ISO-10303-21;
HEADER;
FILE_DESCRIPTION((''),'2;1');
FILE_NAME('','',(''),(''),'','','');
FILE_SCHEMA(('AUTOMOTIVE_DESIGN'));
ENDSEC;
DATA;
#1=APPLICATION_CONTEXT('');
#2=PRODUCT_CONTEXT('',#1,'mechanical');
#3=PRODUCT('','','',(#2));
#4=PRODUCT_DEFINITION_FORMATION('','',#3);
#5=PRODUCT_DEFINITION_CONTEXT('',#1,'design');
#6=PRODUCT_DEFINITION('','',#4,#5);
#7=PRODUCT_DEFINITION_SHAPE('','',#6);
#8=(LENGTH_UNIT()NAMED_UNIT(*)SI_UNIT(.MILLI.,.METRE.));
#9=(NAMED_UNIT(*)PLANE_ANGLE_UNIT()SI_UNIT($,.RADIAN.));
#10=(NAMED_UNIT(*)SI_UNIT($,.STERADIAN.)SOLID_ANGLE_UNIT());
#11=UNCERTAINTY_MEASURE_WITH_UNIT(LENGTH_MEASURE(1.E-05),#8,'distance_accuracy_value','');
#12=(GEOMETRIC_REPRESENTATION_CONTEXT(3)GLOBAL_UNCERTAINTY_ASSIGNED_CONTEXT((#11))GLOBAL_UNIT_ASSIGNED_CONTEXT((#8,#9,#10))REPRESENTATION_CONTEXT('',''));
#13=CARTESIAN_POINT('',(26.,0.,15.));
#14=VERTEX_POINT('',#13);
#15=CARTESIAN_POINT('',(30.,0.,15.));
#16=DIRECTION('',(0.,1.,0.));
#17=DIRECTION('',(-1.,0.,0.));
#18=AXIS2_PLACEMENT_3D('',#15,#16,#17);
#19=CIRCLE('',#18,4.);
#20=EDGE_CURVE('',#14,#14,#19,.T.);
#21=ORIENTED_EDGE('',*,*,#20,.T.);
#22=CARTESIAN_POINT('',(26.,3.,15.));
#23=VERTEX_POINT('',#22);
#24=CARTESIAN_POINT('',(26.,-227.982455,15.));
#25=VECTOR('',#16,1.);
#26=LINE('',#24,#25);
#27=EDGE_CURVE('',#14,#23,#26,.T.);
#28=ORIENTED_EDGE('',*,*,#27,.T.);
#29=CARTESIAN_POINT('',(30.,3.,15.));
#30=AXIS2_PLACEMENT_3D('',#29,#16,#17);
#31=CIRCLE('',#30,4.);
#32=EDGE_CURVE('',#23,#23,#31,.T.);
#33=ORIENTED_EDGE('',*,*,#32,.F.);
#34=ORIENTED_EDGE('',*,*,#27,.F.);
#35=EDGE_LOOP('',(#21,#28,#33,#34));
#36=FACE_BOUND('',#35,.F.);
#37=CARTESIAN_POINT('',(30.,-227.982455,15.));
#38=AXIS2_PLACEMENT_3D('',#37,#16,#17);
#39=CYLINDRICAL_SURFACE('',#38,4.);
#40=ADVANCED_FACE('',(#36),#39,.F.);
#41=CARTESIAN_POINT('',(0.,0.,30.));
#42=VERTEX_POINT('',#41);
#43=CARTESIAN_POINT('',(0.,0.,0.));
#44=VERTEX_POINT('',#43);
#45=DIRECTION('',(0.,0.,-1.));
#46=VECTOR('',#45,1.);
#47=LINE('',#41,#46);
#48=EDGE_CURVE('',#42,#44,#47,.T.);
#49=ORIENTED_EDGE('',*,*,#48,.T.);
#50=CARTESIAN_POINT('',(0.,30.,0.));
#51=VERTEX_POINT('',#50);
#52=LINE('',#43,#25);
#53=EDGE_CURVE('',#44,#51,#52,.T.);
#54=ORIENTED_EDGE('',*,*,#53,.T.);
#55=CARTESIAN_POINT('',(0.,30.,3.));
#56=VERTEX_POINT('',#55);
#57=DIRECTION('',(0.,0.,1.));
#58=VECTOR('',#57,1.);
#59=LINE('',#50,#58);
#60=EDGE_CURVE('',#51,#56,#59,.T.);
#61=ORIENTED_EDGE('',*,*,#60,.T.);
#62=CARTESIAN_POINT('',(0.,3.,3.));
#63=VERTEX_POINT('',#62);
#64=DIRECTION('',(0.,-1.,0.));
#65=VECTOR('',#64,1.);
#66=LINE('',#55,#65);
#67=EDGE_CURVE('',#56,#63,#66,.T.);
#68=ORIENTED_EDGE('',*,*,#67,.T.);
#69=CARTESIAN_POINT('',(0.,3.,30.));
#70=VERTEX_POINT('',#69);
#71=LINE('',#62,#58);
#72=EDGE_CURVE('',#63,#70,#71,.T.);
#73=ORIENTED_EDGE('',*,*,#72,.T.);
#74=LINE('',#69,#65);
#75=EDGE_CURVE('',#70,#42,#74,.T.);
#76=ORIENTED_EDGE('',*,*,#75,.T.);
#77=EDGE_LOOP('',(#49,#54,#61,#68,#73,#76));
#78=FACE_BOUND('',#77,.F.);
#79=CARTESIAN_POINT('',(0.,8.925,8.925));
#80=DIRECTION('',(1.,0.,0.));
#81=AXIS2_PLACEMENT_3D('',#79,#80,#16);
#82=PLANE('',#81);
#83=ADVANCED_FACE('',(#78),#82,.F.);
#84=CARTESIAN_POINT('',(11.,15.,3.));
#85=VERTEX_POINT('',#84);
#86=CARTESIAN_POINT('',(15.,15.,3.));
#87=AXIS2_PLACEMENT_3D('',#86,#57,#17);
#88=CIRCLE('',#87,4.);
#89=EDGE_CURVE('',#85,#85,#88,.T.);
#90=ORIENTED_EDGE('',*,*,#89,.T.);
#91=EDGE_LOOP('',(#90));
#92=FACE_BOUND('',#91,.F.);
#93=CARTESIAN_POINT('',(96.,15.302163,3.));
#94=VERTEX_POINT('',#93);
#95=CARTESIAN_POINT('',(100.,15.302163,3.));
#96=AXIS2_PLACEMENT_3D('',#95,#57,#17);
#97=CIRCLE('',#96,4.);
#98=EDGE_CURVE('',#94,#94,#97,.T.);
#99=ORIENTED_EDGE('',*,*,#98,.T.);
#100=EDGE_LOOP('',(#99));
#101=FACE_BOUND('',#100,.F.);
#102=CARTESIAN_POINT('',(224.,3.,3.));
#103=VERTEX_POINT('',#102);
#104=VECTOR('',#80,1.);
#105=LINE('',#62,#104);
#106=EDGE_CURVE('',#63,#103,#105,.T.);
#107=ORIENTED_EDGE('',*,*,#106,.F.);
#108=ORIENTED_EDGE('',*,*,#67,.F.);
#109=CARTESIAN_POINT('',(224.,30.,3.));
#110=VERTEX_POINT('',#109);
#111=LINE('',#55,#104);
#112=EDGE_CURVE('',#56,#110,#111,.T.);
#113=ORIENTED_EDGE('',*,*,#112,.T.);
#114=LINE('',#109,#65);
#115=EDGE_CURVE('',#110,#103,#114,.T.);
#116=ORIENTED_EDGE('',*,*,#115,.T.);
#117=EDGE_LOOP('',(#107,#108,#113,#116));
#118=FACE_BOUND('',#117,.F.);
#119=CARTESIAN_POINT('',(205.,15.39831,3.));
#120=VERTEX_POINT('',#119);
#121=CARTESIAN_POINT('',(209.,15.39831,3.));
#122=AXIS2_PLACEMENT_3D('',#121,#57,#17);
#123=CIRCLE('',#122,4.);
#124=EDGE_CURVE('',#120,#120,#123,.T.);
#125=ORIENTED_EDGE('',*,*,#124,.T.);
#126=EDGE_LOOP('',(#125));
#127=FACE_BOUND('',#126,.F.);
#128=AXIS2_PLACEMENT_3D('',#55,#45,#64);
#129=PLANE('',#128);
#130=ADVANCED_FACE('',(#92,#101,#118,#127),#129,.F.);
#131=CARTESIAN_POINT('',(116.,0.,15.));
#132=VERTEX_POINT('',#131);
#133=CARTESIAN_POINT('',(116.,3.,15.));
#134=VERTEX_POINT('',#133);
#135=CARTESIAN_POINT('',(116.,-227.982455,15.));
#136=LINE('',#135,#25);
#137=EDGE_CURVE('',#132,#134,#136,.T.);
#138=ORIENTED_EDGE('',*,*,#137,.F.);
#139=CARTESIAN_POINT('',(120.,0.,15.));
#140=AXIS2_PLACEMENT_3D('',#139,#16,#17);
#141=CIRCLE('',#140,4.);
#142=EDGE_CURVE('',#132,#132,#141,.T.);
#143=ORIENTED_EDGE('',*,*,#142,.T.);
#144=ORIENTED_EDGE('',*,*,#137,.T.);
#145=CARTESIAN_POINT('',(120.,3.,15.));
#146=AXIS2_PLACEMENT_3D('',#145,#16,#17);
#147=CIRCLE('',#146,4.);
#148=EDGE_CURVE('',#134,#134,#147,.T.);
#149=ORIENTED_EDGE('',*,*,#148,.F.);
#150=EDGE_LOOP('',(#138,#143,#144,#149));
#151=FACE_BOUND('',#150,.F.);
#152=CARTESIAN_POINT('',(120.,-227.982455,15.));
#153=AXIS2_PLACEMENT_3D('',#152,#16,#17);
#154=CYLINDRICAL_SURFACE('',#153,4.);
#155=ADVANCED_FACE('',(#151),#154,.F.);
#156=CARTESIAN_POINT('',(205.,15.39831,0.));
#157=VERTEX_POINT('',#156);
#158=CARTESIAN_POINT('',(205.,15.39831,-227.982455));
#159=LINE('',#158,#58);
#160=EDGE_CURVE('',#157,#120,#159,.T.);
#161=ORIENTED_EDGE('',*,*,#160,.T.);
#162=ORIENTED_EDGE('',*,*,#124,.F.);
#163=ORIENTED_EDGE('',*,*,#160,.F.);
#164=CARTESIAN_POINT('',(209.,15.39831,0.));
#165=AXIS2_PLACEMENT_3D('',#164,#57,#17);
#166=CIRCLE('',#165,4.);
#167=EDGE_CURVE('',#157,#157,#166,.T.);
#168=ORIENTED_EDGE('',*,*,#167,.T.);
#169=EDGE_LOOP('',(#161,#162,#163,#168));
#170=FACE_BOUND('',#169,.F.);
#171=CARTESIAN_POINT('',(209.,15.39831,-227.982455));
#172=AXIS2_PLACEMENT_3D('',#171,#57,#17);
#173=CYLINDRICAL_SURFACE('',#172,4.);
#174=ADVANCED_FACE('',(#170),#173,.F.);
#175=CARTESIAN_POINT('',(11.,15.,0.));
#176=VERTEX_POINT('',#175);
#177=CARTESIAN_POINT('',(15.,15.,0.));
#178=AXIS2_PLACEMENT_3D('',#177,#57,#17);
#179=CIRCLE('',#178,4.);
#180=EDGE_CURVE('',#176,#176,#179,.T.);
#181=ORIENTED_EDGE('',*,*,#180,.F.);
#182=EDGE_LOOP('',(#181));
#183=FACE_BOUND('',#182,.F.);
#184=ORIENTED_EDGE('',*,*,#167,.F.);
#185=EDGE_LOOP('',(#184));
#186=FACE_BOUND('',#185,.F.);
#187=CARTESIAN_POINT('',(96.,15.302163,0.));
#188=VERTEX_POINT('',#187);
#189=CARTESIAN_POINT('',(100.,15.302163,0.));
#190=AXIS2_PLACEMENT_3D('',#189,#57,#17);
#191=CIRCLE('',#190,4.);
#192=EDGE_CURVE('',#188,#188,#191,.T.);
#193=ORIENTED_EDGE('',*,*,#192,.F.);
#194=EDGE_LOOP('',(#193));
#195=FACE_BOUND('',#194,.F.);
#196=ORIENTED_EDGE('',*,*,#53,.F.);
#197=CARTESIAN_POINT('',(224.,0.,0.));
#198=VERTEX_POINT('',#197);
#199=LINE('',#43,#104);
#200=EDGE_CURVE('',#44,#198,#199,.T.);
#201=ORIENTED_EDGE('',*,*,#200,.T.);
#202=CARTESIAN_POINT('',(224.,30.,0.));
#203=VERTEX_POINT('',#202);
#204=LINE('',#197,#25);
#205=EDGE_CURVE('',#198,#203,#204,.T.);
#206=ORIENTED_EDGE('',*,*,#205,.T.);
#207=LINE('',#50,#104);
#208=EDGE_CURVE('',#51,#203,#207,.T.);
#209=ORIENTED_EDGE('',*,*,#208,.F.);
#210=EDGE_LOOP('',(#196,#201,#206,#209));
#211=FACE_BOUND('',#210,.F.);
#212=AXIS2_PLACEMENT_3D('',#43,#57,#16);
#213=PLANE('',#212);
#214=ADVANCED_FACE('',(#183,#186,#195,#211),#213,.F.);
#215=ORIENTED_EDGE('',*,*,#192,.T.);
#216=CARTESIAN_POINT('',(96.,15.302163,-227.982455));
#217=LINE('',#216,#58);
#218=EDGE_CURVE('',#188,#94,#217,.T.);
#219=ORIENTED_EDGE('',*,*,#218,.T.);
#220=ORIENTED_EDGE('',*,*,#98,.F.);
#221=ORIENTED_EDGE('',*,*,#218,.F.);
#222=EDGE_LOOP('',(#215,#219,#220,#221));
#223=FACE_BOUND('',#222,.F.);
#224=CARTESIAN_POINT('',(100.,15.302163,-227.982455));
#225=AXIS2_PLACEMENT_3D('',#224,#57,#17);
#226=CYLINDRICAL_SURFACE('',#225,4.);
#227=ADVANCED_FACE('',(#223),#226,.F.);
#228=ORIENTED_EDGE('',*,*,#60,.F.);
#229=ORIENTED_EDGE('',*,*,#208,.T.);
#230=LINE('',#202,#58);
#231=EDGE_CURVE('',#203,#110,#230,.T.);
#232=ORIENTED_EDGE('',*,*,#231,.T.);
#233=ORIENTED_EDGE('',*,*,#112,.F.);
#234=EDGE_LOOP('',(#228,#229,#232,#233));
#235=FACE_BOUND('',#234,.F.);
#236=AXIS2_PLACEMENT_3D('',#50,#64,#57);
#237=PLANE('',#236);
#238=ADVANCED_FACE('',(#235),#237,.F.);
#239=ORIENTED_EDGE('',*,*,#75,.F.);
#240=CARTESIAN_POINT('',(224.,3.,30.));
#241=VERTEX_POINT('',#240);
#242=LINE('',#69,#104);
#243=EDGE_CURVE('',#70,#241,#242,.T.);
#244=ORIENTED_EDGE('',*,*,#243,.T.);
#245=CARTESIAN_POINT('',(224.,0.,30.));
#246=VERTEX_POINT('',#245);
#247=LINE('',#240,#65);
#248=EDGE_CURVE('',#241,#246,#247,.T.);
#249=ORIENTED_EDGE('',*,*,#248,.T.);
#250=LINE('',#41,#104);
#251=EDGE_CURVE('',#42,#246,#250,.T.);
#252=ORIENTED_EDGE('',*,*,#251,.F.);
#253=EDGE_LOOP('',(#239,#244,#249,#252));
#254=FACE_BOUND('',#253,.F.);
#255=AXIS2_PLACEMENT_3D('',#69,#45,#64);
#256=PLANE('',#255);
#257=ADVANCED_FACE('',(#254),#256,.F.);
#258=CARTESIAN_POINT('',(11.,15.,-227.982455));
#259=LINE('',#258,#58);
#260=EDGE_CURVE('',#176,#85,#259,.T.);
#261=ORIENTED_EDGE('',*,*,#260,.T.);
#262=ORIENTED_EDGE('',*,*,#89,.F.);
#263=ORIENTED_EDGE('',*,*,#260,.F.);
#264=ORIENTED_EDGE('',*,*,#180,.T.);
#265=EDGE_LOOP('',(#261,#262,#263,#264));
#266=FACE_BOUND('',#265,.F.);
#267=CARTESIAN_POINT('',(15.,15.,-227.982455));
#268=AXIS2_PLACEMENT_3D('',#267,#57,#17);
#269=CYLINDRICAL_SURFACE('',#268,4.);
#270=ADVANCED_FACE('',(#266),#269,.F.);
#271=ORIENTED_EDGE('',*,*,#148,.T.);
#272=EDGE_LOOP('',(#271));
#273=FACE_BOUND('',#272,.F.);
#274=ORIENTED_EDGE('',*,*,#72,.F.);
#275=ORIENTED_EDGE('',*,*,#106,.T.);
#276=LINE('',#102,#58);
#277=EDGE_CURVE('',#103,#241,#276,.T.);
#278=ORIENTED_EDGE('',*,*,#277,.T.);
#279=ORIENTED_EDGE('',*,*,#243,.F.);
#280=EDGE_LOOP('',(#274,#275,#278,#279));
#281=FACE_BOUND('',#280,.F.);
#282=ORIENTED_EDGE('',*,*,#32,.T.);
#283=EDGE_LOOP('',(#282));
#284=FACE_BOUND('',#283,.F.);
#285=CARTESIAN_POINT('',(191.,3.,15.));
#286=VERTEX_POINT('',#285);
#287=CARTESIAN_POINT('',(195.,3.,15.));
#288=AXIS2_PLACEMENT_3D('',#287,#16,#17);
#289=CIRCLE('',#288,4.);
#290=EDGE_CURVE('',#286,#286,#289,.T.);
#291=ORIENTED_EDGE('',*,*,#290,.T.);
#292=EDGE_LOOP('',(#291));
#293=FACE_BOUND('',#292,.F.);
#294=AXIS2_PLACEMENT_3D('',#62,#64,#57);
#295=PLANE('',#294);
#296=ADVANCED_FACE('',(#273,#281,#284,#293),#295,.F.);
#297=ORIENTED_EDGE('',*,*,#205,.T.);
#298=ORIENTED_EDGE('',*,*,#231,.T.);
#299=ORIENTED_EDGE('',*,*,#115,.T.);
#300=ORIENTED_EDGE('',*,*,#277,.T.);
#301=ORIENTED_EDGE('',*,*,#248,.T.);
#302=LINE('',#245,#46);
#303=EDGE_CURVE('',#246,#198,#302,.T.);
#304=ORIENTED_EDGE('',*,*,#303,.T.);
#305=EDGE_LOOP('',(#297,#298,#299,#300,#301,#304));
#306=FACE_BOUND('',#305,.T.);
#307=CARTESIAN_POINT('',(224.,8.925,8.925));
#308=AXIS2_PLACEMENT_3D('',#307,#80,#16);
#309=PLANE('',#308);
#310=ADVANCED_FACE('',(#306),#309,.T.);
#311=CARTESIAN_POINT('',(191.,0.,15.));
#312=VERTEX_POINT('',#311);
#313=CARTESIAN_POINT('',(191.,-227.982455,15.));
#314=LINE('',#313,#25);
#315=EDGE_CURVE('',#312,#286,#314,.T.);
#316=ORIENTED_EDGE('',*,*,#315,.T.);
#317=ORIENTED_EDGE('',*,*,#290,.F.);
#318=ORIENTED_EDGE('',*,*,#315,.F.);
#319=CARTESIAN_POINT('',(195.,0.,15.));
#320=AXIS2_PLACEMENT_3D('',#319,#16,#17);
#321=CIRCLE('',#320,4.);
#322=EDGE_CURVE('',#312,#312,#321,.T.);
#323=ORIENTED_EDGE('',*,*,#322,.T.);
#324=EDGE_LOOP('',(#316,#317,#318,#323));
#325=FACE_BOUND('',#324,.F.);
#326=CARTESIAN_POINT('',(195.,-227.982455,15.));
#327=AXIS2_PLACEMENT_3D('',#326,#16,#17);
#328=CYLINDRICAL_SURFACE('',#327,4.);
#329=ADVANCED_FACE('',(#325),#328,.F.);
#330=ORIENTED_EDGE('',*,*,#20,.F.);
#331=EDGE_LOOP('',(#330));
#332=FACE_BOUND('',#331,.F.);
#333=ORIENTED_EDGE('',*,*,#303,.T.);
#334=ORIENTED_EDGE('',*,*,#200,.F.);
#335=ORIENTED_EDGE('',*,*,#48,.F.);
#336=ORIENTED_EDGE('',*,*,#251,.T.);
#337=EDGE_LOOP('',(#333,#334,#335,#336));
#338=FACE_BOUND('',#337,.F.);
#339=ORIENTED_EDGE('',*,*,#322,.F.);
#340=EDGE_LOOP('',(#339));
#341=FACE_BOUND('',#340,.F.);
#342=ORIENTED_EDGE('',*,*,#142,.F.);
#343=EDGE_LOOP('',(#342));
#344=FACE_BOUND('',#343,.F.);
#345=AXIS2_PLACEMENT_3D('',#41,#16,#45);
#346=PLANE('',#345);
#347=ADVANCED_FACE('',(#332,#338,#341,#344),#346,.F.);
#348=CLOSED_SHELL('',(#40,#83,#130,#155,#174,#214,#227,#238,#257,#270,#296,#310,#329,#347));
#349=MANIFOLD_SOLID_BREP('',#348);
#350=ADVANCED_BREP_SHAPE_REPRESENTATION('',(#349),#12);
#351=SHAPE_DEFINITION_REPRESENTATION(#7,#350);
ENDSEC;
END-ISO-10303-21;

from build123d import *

# Parameters (mm, degrees)
F1_DEPTH = 224
F3_D     = 8
F5_D     = 8


with BuildPart() as f1:
    # F0 (on Right) → F1 (new body)
    with BuildSketch(Plane.YZ):
        Polygon((0, 30), (0, 0), (30, 0), (30, 3), (3, 3), (3, 30), align=None)
    extrude(amount=F1_DEPTH)

    # F3 (through all)
    with Locations(Plane(origin=(0, 0, 0), x_dir=(1, 0, 0), z_dir=(0, 0, -1))):
        with Locations((15, -15), (100, -15.3021634132), (209, -15.3983095661)):
            Hole(F3_D / 2)

    # F5 (through all)
    with Locations(Plane.XZ):
        with Locations((30, 15), (120, 15), (195, 15)):
            Hole(F5_D / 2)


solid = f1.part
